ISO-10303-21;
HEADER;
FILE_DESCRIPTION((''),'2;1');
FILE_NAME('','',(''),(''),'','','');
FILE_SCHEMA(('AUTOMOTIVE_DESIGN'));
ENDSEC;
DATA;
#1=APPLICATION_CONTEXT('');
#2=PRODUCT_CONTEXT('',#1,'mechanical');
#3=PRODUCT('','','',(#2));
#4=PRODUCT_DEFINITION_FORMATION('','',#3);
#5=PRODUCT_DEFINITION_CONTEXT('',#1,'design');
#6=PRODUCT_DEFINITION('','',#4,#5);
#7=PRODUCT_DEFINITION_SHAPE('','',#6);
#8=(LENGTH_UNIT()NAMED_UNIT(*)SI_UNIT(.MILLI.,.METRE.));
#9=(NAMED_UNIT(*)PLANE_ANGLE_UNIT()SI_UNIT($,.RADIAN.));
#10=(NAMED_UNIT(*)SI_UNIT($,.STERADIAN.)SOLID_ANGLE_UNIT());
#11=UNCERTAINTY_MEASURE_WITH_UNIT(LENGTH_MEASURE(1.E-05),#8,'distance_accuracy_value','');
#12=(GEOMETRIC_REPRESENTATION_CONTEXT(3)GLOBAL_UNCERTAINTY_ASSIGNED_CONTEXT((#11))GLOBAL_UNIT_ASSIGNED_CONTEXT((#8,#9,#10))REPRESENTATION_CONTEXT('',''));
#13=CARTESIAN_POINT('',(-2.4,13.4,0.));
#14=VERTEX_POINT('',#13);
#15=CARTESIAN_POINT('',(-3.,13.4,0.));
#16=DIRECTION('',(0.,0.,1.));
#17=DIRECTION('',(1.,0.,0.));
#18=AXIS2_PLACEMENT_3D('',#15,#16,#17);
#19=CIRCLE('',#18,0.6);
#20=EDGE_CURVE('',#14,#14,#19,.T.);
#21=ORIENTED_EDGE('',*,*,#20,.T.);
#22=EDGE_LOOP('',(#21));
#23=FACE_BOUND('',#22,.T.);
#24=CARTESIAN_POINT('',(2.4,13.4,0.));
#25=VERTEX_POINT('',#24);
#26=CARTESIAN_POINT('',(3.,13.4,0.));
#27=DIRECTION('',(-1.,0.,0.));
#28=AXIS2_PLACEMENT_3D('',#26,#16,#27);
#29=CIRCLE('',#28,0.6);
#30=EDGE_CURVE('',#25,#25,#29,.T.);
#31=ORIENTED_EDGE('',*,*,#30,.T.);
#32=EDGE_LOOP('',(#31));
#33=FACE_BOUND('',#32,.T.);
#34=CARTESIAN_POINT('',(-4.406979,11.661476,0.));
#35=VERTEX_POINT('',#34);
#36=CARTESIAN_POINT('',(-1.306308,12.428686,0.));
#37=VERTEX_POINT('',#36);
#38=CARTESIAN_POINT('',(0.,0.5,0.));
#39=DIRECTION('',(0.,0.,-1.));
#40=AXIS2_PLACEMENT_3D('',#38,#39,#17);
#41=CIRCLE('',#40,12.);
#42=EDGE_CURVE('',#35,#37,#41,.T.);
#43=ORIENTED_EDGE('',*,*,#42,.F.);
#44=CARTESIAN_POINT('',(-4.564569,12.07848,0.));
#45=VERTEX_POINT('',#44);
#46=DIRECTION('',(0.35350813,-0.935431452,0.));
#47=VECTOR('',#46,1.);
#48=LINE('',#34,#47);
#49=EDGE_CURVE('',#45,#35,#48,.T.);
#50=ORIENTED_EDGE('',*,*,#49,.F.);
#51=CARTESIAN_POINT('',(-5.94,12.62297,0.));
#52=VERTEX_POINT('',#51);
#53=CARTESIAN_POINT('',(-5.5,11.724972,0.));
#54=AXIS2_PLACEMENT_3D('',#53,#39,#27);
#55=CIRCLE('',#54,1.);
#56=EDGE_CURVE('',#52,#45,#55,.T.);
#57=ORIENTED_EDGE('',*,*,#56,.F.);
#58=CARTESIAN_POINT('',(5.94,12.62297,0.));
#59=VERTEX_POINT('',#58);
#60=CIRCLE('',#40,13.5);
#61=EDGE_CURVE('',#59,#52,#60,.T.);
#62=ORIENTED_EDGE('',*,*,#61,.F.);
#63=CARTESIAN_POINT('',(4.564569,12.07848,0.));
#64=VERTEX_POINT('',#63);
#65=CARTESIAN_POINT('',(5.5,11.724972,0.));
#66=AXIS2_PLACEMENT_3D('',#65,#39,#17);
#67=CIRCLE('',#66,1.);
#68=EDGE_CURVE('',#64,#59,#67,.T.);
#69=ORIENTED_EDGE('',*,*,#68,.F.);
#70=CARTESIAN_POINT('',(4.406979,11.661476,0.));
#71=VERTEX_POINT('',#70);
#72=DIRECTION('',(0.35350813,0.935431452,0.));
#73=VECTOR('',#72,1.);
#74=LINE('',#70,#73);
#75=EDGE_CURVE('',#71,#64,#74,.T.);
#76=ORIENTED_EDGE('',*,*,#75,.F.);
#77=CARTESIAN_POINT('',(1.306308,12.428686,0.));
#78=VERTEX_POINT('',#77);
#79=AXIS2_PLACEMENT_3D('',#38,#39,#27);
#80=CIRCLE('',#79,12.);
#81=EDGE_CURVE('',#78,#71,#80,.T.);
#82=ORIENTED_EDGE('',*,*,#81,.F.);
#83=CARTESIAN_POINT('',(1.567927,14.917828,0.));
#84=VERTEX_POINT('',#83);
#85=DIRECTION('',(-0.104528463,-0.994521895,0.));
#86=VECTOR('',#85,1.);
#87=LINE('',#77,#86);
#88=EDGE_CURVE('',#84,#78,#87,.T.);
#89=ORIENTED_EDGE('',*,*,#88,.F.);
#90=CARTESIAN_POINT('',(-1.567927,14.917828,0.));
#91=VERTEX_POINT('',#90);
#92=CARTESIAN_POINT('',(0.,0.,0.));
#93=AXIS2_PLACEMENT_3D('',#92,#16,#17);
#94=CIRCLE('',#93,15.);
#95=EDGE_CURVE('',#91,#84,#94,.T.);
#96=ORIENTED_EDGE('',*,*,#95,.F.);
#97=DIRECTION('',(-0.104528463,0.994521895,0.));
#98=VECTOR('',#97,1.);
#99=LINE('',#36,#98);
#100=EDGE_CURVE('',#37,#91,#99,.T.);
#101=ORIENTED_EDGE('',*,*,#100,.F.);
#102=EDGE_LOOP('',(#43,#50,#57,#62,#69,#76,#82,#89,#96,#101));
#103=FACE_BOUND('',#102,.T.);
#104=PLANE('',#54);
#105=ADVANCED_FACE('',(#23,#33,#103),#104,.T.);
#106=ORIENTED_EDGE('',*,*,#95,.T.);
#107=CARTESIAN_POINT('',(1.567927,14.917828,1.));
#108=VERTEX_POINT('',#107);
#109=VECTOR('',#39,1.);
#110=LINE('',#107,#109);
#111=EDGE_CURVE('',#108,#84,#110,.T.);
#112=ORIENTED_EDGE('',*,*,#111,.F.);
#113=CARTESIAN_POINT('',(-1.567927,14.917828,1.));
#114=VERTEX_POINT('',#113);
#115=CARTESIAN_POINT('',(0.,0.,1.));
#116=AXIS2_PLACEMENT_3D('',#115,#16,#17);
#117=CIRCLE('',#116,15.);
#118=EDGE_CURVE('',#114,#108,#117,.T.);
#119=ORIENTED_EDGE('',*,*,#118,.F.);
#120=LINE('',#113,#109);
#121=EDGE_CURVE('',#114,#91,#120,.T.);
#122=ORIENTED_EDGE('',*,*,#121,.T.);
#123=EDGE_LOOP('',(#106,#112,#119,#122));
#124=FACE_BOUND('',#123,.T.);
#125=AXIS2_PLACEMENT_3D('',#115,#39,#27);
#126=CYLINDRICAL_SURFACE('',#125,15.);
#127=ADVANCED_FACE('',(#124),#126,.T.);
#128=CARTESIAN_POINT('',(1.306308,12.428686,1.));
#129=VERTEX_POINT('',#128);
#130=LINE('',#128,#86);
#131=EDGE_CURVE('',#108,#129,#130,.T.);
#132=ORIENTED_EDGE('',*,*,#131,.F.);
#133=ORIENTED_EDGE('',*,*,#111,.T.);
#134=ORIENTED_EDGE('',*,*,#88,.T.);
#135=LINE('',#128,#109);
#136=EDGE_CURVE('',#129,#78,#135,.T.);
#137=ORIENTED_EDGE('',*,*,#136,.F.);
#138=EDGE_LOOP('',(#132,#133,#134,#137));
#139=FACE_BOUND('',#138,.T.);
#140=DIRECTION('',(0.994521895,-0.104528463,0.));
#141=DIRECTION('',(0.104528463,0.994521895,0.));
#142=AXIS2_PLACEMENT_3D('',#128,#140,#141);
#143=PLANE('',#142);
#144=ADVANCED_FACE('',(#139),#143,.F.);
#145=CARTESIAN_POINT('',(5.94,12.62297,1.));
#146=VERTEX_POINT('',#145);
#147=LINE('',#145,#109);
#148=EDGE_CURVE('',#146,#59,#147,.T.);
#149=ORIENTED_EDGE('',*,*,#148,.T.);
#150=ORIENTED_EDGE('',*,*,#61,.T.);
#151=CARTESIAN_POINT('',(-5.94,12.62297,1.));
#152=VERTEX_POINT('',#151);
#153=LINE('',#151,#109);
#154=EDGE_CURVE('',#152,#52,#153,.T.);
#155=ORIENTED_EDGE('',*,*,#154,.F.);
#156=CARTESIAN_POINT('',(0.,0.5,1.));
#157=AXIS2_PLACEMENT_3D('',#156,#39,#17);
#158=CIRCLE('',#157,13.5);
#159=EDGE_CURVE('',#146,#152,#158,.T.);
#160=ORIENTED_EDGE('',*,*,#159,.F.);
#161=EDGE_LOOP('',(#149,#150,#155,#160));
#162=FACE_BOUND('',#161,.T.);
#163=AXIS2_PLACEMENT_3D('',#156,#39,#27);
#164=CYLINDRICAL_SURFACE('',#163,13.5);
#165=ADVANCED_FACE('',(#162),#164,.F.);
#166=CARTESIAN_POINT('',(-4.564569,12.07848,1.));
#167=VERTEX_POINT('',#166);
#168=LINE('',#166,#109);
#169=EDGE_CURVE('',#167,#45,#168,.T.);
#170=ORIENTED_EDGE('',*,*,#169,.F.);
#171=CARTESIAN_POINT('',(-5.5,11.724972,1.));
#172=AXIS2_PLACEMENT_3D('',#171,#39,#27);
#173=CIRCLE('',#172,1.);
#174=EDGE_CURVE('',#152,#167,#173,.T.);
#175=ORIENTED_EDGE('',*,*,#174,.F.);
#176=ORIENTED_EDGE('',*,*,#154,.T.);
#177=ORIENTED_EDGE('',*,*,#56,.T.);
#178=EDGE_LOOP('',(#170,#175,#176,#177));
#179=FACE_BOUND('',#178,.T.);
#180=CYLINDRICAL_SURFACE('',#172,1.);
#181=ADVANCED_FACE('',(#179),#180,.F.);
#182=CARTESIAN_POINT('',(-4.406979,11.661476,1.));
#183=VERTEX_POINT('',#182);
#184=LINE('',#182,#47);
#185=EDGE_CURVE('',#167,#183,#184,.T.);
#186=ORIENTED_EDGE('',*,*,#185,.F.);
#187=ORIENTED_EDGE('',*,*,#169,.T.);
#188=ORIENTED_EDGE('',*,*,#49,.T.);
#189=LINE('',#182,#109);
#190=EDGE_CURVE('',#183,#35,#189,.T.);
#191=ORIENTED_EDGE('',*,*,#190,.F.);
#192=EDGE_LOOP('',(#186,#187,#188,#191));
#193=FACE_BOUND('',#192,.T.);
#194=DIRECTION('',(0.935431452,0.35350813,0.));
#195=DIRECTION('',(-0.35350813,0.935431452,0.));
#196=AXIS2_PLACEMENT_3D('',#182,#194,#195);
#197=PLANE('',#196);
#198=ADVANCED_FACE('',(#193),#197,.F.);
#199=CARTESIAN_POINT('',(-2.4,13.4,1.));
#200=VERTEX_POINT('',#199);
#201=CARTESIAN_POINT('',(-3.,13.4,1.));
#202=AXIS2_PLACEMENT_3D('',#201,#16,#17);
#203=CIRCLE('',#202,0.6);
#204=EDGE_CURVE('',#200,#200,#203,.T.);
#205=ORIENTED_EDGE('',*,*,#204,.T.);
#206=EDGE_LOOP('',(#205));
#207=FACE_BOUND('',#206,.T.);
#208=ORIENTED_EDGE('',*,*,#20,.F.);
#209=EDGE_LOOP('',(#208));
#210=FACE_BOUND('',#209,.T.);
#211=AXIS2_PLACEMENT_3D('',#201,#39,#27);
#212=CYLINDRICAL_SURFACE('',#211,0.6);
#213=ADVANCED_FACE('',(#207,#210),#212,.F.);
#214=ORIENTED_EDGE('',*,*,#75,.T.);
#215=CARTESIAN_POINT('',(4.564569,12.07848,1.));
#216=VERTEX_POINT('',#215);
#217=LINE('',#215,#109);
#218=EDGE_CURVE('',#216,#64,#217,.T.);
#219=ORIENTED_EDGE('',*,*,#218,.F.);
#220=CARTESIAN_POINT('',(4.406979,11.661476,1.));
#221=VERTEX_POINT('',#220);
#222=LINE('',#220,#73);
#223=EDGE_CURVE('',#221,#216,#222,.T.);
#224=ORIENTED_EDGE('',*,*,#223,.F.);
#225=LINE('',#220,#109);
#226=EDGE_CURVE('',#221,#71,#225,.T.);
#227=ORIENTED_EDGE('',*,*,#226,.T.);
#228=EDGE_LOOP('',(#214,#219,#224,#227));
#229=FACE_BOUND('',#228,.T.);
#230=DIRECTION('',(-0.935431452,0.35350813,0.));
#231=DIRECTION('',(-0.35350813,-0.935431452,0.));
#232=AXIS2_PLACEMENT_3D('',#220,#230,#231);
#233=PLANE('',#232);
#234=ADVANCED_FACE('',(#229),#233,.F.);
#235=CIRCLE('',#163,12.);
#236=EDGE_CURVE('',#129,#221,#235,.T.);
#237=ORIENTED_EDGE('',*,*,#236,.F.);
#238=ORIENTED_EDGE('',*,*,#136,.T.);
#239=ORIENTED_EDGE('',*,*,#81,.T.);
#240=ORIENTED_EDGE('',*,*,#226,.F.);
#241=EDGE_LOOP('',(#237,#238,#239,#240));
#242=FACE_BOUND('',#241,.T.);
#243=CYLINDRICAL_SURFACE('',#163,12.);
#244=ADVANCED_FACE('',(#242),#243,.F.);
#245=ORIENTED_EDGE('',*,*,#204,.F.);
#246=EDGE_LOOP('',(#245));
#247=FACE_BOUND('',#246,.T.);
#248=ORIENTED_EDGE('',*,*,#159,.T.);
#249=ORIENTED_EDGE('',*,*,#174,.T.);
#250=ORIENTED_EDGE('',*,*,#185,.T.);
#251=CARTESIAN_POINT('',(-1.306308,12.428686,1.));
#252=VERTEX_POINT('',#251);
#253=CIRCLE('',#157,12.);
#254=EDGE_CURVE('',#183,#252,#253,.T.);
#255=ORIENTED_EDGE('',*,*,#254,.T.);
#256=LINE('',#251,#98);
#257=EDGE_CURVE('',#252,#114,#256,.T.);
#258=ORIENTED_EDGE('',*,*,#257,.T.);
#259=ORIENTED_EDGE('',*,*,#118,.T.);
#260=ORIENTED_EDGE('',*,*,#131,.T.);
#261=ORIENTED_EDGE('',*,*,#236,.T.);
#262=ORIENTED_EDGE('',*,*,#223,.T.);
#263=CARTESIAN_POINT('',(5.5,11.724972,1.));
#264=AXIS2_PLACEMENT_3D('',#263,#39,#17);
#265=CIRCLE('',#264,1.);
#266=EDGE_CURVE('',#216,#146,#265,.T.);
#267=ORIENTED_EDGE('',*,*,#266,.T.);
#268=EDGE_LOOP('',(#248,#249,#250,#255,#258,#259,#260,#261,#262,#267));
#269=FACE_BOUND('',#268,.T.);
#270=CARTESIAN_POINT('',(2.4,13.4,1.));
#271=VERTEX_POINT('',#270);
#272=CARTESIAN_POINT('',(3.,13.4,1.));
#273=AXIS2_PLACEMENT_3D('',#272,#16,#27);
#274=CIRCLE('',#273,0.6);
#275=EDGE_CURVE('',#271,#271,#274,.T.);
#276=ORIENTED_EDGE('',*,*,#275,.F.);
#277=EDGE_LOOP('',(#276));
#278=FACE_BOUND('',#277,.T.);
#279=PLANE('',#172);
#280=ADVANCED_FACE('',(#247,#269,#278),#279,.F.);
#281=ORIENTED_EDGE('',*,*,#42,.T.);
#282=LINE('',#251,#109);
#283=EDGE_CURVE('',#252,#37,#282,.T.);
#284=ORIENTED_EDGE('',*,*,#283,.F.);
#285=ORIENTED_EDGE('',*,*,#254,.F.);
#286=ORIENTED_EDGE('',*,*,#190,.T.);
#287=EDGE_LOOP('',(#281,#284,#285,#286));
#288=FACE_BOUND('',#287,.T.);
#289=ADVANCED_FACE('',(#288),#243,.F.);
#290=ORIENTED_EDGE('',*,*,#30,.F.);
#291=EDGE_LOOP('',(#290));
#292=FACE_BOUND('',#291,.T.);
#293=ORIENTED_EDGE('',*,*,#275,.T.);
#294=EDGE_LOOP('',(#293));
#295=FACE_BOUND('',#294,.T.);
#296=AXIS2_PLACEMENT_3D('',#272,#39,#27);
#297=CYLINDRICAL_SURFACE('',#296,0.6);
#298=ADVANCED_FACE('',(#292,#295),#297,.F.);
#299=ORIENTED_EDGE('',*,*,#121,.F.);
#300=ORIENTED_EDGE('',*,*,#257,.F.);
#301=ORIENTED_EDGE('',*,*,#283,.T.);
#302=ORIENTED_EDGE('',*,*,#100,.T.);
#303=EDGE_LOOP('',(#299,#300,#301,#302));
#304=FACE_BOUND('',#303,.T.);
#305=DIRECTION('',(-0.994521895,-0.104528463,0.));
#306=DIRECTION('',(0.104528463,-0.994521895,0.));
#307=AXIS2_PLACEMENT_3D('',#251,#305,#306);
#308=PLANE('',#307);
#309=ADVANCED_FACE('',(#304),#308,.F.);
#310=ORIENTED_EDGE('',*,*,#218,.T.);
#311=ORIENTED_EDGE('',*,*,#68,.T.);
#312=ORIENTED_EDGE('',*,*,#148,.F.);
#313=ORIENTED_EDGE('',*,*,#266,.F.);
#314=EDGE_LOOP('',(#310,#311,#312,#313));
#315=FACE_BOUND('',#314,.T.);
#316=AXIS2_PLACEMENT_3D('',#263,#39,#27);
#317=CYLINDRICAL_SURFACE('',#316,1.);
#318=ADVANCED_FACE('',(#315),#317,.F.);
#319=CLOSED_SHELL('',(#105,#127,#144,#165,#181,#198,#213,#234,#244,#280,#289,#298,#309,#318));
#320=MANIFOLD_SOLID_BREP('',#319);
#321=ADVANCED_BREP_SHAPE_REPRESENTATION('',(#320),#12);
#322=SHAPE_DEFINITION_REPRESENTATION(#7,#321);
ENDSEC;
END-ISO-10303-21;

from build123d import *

# Parameters (mm, degrees)
ESQUISSE1_R          = 0.6
BASE_EXTRUSION_DEPTH = 1


with BuildPart() as part:
    # Esquisse1 → Base-Extrusion (new body)
    with BuildSketch(Plane.XY):
        with BuildLine():
            Line((-4.406978672, 11.661475663), (-4.564568548, 12.078480291))
            ThreePointArc((-4.564568548, 12.078480291), (-5.131923481, 12.654767663), (-5.94, 12.622969933))
            ThreePointArc((-5.94, 12.622969933), (0, -13), (5.94, 12.622969933))
            ThreePointArc((5.94, 12.622969933), (5.131923481, 12.654767663), (4.564568548, 12.078480291))
            Line((4.564568548, 12.078480291), (4.406978672, 11.661475663))
            ThreePointArc((4.406978672, 11.661475663), (2.882284348, 12.148709668), (1.306307585, 12.428686453))
            Line((1.306307585, 12.428686453), (1.567926949, 14.917828431))
            ThreePointArc((1.567926949, 14.917828431), (0, -15), (-1.567926949, 14.917828431))
            Line((-1.567926949, 14.917828431), (-1.306307585, 12.428686453))
            ThreePointArc((-1.306307585, 12.428686453), (-2.882284348, 12.148709668), (-4.406978672, 11.661475663))
        make_face()
        with Locations((-3, 13.4)):
            Circle(ESQUISSE1_R, mode=Mode.SUBTRACT)
        with Locations((3, 13.4)):
            Circle(ESQUISSE1_R, mode=Mode.SUBTRACT)
    extrude(amount=BASE_EXTRUSION_DEPTH)


solid = part.part
